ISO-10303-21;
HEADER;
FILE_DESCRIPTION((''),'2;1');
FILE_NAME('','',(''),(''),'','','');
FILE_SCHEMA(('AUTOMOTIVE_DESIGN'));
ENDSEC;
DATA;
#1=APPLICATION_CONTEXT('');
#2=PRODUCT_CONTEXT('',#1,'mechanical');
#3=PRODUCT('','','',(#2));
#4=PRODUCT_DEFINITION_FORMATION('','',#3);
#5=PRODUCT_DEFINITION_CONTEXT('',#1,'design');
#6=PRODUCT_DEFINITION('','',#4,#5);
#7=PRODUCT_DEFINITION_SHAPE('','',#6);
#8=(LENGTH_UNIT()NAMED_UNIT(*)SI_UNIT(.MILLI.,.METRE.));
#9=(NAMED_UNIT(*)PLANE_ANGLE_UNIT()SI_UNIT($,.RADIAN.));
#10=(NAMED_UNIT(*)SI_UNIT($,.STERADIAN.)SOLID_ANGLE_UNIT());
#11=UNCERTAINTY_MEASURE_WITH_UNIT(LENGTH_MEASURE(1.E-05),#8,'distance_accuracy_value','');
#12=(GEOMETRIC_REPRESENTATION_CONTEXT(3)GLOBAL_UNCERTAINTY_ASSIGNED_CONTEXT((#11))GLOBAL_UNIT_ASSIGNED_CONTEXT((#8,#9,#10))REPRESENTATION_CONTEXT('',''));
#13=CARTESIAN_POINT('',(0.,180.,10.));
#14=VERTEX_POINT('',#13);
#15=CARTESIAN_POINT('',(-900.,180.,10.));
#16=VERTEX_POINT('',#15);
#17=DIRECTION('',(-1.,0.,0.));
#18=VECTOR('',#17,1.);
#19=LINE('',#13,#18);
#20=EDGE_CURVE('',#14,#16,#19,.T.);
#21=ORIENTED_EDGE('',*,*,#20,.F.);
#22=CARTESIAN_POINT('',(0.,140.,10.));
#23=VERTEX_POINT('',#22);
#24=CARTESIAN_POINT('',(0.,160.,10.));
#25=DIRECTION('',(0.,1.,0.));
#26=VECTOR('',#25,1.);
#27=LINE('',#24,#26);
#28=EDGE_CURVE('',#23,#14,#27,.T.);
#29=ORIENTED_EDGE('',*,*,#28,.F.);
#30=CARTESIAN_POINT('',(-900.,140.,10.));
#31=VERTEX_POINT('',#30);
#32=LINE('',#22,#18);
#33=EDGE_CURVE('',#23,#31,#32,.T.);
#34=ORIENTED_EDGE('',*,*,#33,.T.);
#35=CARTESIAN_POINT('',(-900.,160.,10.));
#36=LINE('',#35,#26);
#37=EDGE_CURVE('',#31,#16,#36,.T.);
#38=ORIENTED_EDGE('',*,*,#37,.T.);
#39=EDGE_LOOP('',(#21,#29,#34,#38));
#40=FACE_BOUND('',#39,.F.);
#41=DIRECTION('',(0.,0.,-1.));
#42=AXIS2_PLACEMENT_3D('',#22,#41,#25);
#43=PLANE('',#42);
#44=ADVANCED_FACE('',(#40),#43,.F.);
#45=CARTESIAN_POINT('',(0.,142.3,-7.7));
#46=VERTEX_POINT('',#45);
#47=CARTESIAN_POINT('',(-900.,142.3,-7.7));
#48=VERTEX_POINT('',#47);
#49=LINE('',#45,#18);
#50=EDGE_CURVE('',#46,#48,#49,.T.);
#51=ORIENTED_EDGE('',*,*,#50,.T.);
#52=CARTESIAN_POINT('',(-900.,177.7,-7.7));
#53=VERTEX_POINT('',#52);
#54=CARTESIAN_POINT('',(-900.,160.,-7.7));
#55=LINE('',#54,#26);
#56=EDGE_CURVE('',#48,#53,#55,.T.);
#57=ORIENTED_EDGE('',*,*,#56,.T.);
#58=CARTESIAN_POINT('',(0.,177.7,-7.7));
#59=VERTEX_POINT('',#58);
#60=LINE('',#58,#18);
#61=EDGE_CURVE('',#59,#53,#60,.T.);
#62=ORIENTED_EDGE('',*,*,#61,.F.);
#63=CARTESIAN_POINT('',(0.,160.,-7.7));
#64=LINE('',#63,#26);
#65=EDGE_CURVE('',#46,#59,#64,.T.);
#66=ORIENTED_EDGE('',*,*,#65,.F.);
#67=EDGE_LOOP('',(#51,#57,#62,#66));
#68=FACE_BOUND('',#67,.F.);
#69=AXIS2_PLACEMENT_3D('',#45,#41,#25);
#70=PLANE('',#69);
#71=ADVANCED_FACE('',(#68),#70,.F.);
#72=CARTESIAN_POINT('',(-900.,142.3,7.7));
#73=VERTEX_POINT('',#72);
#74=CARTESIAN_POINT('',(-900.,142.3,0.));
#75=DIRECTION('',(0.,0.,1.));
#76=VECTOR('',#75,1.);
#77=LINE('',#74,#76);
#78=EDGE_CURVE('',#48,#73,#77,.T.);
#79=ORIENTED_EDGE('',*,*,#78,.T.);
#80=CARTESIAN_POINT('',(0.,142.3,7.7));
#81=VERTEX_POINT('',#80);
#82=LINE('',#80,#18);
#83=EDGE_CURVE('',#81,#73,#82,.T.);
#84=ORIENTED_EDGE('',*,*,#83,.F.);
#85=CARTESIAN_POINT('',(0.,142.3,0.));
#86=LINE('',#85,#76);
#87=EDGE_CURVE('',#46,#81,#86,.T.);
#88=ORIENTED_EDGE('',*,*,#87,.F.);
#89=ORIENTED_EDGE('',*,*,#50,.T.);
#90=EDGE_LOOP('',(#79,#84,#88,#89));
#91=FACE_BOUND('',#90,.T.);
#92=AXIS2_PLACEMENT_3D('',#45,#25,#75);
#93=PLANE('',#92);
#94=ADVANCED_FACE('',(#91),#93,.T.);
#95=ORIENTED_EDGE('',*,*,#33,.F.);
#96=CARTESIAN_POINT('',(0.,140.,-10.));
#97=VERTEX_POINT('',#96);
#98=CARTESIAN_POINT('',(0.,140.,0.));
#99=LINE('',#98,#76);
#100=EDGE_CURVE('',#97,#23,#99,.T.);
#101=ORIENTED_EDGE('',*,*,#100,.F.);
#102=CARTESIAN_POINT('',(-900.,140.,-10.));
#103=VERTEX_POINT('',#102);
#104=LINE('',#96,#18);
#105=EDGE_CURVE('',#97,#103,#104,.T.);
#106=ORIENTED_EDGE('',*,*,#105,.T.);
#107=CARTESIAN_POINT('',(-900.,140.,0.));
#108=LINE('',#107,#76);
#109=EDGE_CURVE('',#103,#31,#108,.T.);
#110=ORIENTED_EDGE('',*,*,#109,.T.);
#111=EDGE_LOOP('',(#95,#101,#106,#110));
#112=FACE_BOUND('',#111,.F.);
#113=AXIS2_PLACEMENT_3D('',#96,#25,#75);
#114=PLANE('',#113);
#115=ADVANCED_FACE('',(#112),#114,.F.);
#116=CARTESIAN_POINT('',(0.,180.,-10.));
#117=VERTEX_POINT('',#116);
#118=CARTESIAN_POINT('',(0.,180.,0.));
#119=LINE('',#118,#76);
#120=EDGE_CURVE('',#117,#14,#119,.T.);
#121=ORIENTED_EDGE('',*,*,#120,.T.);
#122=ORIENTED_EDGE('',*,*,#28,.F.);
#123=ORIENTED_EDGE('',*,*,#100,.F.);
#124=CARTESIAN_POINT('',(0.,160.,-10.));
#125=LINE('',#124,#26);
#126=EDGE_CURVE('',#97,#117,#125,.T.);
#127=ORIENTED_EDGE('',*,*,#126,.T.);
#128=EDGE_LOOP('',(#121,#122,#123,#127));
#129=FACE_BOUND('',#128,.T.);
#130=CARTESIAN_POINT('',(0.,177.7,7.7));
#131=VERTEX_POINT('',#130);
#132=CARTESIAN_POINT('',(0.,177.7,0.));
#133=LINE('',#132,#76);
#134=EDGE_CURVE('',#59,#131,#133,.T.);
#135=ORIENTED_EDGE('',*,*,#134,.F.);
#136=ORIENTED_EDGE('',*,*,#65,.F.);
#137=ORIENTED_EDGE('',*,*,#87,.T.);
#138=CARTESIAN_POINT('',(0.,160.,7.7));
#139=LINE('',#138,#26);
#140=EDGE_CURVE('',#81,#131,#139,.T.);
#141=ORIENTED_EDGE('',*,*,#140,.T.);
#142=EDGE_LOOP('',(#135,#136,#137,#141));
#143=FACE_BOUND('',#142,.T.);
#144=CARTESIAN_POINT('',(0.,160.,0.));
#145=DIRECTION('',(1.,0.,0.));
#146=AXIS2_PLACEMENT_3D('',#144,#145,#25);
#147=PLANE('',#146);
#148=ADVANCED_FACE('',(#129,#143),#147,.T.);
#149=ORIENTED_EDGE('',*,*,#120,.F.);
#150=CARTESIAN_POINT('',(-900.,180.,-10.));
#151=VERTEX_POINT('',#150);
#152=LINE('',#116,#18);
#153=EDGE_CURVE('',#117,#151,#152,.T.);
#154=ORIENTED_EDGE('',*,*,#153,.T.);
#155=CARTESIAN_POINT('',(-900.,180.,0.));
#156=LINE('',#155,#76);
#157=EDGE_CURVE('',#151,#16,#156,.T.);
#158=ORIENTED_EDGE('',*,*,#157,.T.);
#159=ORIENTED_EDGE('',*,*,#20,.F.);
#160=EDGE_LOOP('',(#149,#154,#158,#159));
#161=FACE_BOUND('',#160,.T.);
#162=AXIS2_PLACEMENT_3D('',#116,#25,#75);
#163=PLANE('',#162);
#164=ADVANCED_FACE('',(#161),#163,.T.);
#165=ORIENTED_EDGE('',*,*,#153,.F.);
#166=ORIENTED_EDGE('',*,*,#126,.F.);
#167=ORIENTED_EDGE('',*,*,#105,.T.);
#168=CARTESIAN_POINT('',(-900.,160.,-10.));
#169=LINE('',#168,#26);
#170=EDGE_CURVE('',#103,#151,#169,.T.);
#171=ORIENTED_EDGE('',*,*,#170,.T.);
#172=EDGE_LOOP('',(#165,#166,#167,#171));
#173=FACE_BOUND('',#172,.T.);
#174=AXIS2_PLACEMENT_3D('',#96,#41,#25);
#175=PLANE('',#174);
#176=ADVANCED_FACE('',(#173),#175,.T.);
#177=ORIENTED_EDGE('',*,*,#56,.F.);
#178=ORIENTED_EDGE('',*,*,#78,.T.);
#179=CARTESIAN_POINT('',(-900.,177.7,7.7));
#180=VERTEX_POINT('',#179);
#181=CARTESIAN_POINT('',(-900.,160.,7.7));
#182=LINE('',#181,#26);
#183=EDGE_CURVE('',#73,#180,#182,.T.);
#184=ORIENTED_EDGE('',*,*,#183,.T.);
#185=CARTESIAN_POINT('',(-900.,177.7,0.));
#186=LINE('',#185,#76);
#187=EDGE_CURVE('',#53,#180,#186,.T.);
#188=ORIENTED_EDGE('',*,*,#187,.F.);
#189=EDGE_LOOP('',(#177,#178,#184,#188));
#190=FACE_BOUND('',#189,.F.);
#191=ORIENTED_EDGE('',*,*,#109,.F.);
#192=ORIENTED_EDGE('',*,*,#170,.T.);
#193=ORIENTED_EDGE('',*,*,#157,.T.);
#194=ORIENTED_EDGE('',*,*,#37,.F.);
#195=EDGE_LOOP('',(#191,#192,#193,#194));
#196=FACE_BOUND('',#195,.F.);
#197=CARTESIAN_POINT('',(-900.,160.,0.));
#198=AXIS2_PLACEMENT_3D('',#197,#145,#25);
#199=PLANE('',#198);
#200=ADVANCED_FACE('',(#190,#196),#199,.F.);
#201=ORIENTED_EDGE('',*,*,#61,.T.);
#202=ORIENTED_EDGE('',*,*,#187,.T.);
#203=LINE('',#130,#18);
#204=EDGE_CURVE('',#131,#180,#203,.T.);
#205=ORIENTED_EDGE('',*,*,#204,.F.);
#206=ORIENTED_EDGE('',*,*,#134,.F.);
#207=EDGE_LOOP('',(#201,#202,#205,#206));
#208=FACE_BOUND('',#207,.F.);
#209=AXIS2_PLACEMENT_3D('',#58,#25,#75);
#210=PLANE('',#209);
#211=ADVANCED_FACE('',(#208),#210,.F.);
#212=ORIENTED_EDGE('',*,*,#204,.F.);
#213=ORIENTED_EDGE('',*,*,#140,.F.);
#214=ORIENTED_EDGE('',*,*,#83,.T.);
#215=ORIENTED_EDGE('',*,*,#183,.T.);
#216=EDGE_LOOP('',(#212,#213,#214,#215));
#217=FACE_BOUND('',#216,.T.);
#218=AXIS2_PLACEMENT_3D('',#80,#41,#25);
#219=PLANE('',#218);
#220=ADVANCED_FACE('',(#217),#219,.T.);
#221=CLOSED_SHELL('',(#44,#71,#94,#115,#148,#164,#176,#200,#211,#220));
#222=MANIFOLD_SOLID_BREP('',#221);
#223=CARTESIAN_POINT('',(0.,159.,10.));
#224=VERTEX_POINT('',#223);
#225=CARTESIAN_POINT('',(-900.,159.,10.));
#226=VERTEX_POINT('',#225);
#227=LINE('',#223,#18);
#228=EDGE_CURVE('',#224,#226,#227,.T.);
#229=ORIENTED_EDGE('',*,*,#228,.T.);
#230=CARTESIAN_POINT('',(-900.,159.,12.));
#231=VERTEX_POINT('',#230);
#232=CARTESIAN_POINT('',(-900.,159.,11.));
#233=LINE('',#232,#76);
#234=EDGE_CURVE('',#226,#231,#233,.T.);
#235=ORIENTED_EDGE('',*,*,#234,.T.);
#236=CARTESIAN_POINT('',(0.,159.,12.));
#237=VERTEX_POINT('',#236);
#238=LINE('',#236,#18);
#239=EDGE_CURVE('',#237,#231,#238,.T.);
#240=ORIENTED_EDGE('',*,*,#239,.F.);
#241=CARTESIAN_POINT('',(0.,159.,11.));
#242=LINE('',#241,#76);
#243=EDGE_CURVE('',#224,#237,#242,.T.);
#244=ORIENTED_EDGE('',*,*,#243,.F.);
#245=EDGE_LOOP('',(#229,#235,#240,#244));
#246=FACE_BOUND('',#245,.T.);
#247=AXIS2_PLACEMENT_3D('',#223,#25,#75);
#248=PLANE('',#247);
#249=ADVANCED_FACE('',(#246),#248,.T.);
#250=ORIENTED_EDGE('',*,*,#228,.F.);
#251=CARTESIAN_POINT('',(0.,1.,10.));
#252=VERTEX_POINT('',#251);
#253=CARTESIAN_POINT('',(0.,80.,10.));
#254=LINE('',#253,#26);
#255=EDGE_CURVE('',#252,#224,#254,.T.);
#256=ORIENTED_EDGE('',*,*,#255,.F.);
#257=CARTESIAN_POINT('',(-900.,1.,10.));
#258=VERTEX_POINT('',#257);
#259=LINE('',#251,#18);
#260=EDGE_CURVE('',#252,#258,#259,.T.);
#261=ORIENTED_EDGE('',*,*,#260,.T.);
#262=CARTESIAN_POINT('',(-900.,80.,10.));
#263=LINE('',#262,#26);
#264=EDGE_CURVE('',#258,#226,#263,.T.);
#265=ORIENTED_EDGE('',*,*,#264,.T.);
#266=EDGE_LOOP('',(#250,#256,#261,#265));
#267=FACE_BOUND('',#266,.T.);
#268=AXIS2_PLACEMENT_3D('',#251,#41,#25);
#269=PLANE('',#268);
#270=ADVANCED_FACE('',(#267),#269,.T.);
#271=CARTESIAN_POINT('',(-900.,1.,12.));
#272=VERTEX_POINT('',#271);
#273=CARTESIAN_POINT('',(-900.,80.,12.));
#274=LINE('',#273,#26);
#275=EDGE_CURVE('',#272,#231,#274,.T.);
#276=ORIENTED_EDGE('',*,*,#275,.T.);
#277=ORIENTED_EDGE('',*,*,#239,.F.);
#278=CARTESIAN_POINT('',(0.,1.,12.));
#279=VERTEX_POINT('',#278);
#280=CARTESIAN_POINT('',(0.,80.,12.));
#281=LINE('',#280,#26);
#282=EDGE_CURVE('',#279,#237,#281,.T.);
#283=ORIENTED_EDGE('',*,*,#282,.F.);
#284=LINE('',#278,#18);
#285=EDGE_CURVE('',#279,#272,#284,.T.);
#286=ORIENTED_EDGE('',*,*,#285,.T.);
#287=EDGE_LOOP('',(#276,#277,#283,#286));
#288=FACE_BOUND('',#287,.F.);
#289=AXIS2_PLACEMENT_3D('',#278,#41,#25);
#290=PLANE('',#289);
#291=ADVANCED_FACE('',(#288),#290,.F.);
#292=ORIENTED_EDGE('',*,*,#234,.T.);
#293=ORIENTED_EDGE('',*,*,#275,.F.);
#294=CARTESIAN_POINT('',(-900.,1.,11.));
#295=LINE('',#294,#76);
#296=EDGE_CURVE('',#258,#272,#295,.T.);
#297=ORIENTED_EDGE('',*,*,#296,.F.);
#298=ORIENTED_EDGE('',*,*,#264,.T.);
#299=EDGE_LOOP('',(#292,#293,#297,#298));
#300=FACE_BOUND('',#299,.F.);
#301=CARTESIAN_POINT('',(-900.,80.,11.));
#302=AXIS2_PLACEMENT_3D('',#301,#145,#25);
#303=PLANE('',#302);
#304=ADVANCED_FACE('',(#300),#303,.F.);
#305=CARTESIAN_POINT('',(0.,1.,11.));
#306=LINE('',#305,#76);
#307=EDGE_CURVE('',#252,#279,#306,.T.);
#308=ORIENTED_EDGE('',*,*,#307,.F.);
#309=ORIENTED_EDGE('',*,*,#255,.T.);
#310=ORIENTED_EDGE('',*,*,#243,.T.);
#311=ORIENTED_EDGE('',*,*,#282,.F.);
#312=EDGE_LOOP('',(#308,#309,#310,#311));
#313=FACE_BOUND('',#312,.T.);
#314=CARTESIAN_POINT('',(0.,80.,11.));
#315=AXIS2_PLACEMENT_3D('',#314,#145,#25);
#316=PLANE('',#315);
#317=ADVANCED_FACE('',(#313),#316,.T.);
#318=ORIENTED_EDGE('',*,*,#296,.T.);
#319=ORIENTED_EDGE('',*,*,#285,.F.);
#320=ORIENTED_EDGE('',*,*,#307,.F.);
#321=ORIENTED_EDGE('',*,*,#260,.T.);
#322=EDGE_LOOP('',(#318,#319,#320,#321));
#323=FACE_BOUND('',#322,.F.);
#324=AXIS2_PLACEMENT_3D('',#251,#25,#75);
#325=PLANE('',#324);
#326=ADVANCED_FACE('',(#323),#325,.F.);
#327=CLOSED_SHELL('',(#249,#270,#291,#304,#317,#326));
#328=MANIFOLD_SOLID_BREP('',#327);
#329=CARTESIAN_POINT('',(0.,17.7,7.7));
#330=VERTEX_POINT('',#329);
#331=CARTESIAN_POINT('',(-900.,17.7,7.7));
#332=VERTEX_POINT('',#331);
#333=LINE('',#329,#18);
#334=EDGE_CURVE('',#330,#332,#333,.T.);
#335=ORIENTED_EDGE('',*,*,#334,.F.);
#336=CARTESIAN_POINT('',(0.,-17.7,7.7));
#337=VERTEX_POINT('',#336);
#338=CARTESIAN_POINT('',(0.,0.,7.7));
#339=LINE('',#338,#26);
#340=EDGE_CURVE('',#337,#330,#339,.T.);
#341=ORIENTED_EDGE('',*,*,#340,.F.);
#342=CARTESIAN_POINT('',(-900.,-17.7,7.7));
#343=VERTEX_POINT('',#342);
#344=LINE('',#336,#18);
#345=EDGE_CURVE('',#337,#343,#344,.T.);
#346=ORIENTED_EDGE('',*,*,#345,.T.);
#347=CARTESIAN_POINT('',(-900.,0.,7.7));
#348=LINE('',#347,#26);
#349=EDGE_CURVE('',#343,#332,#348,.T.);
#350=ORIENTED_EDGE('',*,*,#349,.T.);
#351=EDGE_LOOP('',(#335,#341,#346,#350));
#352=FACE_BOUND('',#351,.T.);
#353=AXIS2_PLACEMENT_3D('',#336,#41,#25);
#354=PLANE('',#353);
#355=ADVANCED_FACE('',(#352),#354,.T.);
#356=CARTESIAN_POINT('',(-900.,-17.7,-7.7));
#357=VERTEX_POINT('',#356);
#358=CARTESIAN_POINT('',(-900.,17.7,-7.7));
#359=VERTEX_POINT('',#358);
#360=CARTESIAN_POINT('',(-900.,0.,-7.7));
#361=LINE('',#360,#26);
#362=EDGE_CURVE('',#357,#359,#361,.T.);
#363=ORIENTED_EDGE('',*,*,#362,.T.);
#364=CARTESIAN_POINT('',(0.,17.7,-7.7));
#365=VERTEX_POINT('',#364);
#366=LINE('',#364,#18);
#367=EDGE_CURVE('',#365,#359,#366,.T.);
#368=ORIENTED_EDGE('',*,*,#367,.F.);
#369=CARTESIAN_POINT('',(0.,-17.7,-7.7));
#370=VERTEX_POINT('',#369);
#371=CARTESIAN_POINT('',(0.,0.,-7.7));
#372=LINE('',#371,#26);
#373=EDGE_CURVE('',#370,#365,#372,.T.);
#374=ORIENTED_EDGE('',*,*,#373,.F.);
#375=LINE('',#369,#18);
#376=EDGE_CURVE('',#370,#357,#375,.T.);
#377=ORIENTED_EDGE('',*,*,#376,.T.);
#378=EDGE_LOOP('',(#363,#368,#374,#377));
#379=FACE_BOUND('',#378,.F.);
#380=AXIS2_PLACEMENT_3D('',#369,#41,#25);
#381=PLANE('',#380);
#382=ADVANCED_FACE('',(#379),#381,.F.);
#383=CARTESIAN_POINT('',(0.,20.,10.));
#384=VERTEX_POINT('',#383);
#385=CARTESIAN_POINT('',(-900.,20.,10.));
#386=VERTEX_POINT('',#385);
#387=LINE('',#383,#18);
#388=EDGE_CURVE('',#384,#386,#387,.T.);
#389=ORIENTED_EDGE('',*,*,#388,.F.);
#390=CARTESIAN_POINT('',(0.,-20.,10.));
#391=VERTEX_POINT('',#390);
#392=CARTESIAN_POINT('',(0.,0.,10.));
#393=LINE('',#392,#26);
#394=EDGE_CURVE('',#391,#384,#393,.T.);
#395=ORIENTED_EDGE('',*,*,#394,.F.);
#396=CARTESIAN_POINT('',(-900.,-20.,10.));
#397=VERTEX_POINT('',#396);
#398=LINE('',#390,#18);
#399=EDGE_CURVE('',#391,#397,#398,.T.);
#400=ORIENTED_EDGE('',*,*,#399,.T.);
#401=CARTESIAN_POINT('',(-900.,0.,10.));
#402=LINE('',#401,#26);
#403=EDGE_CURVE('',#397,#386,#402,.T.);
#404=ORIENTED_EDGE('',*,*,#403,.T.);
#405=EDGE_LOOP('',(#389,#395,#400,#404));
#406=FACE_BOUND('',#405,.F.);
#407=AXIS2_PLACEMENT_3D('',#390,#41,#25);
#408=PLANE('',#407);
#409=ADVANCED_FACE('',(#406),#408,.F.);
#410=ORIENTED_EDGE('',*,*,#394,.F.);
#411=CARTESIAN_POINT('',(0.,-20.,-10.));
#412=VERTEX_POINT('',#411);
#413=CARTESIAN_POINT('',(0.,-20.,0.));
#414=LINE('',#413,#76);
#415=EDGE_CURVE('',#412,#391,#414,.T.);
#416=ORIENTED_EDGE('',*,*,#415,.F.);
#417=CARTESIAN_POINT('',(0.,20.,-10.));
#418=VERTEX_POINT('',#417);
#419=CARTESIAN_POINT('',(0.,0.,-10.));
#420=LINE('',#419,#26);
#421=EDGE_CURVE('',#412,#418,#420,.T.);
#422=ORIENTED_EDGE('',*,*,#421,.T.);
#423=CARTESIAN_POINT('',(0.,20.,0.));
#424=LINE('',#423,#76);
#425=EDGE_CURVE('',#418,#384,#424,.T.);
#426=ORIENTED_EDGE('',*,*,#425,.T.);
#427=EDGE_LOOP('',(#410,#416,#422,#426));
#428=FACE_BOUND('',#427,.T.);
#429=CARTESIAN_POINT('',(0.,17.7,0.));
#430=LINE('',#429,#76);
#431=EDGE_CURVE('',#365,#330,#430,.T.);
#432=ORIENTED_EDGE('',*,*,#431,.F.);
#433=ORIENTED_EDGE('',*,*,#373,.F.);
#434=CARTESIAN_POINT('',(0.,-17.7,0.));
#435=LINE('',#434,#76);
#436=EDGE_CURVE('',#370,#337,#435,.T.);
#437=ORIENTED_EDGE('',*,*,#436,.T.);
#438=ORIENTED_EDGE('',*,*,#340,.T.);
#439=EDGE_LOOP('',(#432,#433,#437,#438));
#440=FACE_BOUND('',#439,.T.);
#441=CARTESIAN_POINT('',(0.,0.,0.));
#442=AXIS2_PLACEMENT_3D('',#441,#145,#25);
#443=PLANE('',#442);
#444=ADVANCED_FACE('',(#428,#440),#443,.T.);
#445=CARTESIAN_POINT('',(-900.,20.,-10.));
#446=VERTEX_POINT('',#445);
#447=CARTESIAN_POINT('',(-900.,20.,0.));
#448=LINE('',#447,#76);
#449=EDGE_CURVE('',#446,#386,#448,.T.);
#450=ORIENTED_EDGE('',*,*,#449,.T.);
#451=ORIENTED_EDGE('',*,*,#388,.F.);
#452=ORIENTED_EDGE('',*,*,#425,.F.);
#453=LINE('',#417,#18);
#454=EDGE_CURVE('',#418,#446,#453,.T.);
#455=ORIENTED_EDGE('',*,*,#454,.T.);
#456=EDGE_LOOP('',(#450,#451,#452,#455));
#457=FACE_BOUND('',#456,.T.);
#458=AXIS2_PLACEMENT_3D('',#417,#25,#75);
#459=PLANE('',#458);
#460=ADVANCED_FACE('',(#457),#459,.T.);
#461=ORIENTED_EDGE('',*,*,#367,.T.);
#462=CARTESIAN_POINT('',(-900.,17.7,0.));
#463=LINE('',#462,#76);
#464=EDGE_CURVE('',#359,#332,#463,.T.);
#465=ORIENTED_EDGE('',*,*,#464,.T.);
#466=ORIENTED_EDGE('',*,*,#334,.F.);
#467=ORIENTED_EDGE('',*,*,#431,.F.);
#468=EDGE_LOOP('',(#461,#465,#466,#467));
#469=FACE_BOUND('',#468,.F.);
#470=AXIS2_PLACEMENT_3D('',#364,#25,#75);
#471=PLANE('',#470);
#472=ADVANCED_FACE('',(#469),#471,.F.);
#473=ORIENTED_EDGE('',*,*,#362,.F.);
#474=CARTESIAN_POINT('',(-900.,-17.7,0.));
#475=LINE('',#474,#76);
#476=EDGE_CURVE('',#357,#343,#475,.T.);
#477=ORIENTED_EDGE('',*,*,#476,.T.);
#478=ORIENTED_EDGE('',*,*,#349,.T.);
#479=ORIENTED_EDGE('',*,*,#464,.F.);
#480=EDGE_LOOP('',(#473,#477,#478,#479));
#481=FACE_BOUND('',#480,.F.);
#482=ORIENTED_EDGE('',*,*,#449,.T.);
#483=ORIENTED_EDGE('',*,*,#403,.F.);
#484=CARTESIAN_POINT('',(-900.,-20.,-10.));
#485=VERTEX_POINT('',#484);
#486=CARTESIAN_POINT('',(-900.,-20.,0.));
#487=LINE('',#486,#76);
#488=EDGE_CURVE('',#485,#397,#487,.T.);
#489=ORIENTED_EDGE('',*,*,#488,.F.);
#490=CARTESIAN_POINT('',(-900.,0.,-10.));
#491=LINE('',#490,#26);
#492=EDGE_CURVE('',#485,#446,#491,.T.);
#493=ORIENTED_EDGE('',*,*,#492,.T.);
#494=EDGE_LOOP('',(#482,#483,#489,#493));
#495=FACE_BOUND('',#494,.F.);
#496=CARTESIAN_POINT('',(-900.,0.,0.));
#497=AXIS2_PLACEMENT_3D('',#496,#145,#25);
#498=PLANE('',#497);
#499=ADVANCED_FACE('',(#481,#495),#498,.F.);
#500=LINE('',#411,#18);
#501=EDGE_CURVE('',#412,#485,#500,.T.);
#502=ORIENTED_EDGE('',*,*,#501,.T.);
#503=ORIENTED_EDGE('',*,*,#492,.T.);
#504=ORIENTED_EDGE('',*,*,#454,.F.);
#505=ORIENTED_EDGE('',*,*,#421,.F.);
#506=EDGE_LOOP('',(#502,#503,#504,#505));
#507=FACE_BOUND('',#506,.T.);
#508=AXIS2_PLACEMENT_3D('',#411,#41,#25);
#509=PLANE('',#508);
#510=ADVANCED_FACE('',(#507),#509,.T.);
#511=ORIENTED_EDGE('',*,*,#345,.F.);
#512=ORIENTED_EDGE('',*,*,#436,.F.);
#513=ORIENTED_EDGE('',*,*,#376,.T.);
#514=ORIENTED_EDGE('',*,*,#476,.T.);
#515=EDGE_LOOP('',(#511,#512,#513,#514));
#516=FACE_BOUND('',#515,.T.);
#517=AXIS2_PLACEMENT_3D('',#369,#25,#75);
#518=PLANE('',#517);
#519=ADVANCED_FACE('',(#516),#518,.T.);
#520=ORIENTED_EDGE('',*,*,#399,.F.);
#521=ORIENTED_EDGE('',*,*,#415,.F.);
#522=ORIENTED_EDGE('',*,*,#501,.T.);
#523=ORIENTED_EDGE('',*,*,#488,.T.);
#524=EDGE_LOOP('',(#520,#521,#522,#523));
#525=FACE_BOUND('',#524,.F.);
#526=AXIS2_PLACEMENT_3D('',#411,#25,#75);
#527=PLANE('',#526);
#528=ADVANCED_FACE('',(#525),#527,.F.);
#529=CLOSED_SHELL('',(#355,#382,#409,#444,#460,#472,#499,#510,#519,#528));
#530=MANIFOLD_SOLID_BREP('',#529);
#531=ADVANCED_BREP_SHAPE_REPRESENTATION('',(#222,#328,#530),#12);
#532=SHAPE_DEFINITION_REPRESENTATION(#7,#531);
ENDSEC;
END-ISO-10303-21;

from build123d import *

# Parameters (mm, degrees)
F0_W     = 40
F0_H     = 20
F0_W_2   = 35.4
F0_H_2   = 15.4
F1_DEPTH = 900
F2_W     = 158
F2_H     = 2
F3_DEPTH = 900


with BuildPart() as f1:
    # F0 (on Right) → F1 (new body)
    with BuildSketch(Plane.YZ):
        Rectangle(F0_W, F0_H)
        Rectangle(F0_W_2, F0_H_2, mode=Mode.SUBTRACT)
        with Locations((160, 0)):
            Rectangle(F0_W, F0_H)
        with Locations((160, 0)):
            Rectangle(F0_W_2, F0_H_2, mode=Mode.SUBTRACT)
    extrude(amount=-F1_DEPTH)


with BuildPart() as f3:
    # F2 (on Right) → F3 (new body)
    with BuildSketch(Plane.YZ):
        with Locations((80, 11)):
            Rectangle(F2_W, F2_H)
    extrude(amount=-F3_DEPTH)


solid = Compound([f1.part, f3.part])
